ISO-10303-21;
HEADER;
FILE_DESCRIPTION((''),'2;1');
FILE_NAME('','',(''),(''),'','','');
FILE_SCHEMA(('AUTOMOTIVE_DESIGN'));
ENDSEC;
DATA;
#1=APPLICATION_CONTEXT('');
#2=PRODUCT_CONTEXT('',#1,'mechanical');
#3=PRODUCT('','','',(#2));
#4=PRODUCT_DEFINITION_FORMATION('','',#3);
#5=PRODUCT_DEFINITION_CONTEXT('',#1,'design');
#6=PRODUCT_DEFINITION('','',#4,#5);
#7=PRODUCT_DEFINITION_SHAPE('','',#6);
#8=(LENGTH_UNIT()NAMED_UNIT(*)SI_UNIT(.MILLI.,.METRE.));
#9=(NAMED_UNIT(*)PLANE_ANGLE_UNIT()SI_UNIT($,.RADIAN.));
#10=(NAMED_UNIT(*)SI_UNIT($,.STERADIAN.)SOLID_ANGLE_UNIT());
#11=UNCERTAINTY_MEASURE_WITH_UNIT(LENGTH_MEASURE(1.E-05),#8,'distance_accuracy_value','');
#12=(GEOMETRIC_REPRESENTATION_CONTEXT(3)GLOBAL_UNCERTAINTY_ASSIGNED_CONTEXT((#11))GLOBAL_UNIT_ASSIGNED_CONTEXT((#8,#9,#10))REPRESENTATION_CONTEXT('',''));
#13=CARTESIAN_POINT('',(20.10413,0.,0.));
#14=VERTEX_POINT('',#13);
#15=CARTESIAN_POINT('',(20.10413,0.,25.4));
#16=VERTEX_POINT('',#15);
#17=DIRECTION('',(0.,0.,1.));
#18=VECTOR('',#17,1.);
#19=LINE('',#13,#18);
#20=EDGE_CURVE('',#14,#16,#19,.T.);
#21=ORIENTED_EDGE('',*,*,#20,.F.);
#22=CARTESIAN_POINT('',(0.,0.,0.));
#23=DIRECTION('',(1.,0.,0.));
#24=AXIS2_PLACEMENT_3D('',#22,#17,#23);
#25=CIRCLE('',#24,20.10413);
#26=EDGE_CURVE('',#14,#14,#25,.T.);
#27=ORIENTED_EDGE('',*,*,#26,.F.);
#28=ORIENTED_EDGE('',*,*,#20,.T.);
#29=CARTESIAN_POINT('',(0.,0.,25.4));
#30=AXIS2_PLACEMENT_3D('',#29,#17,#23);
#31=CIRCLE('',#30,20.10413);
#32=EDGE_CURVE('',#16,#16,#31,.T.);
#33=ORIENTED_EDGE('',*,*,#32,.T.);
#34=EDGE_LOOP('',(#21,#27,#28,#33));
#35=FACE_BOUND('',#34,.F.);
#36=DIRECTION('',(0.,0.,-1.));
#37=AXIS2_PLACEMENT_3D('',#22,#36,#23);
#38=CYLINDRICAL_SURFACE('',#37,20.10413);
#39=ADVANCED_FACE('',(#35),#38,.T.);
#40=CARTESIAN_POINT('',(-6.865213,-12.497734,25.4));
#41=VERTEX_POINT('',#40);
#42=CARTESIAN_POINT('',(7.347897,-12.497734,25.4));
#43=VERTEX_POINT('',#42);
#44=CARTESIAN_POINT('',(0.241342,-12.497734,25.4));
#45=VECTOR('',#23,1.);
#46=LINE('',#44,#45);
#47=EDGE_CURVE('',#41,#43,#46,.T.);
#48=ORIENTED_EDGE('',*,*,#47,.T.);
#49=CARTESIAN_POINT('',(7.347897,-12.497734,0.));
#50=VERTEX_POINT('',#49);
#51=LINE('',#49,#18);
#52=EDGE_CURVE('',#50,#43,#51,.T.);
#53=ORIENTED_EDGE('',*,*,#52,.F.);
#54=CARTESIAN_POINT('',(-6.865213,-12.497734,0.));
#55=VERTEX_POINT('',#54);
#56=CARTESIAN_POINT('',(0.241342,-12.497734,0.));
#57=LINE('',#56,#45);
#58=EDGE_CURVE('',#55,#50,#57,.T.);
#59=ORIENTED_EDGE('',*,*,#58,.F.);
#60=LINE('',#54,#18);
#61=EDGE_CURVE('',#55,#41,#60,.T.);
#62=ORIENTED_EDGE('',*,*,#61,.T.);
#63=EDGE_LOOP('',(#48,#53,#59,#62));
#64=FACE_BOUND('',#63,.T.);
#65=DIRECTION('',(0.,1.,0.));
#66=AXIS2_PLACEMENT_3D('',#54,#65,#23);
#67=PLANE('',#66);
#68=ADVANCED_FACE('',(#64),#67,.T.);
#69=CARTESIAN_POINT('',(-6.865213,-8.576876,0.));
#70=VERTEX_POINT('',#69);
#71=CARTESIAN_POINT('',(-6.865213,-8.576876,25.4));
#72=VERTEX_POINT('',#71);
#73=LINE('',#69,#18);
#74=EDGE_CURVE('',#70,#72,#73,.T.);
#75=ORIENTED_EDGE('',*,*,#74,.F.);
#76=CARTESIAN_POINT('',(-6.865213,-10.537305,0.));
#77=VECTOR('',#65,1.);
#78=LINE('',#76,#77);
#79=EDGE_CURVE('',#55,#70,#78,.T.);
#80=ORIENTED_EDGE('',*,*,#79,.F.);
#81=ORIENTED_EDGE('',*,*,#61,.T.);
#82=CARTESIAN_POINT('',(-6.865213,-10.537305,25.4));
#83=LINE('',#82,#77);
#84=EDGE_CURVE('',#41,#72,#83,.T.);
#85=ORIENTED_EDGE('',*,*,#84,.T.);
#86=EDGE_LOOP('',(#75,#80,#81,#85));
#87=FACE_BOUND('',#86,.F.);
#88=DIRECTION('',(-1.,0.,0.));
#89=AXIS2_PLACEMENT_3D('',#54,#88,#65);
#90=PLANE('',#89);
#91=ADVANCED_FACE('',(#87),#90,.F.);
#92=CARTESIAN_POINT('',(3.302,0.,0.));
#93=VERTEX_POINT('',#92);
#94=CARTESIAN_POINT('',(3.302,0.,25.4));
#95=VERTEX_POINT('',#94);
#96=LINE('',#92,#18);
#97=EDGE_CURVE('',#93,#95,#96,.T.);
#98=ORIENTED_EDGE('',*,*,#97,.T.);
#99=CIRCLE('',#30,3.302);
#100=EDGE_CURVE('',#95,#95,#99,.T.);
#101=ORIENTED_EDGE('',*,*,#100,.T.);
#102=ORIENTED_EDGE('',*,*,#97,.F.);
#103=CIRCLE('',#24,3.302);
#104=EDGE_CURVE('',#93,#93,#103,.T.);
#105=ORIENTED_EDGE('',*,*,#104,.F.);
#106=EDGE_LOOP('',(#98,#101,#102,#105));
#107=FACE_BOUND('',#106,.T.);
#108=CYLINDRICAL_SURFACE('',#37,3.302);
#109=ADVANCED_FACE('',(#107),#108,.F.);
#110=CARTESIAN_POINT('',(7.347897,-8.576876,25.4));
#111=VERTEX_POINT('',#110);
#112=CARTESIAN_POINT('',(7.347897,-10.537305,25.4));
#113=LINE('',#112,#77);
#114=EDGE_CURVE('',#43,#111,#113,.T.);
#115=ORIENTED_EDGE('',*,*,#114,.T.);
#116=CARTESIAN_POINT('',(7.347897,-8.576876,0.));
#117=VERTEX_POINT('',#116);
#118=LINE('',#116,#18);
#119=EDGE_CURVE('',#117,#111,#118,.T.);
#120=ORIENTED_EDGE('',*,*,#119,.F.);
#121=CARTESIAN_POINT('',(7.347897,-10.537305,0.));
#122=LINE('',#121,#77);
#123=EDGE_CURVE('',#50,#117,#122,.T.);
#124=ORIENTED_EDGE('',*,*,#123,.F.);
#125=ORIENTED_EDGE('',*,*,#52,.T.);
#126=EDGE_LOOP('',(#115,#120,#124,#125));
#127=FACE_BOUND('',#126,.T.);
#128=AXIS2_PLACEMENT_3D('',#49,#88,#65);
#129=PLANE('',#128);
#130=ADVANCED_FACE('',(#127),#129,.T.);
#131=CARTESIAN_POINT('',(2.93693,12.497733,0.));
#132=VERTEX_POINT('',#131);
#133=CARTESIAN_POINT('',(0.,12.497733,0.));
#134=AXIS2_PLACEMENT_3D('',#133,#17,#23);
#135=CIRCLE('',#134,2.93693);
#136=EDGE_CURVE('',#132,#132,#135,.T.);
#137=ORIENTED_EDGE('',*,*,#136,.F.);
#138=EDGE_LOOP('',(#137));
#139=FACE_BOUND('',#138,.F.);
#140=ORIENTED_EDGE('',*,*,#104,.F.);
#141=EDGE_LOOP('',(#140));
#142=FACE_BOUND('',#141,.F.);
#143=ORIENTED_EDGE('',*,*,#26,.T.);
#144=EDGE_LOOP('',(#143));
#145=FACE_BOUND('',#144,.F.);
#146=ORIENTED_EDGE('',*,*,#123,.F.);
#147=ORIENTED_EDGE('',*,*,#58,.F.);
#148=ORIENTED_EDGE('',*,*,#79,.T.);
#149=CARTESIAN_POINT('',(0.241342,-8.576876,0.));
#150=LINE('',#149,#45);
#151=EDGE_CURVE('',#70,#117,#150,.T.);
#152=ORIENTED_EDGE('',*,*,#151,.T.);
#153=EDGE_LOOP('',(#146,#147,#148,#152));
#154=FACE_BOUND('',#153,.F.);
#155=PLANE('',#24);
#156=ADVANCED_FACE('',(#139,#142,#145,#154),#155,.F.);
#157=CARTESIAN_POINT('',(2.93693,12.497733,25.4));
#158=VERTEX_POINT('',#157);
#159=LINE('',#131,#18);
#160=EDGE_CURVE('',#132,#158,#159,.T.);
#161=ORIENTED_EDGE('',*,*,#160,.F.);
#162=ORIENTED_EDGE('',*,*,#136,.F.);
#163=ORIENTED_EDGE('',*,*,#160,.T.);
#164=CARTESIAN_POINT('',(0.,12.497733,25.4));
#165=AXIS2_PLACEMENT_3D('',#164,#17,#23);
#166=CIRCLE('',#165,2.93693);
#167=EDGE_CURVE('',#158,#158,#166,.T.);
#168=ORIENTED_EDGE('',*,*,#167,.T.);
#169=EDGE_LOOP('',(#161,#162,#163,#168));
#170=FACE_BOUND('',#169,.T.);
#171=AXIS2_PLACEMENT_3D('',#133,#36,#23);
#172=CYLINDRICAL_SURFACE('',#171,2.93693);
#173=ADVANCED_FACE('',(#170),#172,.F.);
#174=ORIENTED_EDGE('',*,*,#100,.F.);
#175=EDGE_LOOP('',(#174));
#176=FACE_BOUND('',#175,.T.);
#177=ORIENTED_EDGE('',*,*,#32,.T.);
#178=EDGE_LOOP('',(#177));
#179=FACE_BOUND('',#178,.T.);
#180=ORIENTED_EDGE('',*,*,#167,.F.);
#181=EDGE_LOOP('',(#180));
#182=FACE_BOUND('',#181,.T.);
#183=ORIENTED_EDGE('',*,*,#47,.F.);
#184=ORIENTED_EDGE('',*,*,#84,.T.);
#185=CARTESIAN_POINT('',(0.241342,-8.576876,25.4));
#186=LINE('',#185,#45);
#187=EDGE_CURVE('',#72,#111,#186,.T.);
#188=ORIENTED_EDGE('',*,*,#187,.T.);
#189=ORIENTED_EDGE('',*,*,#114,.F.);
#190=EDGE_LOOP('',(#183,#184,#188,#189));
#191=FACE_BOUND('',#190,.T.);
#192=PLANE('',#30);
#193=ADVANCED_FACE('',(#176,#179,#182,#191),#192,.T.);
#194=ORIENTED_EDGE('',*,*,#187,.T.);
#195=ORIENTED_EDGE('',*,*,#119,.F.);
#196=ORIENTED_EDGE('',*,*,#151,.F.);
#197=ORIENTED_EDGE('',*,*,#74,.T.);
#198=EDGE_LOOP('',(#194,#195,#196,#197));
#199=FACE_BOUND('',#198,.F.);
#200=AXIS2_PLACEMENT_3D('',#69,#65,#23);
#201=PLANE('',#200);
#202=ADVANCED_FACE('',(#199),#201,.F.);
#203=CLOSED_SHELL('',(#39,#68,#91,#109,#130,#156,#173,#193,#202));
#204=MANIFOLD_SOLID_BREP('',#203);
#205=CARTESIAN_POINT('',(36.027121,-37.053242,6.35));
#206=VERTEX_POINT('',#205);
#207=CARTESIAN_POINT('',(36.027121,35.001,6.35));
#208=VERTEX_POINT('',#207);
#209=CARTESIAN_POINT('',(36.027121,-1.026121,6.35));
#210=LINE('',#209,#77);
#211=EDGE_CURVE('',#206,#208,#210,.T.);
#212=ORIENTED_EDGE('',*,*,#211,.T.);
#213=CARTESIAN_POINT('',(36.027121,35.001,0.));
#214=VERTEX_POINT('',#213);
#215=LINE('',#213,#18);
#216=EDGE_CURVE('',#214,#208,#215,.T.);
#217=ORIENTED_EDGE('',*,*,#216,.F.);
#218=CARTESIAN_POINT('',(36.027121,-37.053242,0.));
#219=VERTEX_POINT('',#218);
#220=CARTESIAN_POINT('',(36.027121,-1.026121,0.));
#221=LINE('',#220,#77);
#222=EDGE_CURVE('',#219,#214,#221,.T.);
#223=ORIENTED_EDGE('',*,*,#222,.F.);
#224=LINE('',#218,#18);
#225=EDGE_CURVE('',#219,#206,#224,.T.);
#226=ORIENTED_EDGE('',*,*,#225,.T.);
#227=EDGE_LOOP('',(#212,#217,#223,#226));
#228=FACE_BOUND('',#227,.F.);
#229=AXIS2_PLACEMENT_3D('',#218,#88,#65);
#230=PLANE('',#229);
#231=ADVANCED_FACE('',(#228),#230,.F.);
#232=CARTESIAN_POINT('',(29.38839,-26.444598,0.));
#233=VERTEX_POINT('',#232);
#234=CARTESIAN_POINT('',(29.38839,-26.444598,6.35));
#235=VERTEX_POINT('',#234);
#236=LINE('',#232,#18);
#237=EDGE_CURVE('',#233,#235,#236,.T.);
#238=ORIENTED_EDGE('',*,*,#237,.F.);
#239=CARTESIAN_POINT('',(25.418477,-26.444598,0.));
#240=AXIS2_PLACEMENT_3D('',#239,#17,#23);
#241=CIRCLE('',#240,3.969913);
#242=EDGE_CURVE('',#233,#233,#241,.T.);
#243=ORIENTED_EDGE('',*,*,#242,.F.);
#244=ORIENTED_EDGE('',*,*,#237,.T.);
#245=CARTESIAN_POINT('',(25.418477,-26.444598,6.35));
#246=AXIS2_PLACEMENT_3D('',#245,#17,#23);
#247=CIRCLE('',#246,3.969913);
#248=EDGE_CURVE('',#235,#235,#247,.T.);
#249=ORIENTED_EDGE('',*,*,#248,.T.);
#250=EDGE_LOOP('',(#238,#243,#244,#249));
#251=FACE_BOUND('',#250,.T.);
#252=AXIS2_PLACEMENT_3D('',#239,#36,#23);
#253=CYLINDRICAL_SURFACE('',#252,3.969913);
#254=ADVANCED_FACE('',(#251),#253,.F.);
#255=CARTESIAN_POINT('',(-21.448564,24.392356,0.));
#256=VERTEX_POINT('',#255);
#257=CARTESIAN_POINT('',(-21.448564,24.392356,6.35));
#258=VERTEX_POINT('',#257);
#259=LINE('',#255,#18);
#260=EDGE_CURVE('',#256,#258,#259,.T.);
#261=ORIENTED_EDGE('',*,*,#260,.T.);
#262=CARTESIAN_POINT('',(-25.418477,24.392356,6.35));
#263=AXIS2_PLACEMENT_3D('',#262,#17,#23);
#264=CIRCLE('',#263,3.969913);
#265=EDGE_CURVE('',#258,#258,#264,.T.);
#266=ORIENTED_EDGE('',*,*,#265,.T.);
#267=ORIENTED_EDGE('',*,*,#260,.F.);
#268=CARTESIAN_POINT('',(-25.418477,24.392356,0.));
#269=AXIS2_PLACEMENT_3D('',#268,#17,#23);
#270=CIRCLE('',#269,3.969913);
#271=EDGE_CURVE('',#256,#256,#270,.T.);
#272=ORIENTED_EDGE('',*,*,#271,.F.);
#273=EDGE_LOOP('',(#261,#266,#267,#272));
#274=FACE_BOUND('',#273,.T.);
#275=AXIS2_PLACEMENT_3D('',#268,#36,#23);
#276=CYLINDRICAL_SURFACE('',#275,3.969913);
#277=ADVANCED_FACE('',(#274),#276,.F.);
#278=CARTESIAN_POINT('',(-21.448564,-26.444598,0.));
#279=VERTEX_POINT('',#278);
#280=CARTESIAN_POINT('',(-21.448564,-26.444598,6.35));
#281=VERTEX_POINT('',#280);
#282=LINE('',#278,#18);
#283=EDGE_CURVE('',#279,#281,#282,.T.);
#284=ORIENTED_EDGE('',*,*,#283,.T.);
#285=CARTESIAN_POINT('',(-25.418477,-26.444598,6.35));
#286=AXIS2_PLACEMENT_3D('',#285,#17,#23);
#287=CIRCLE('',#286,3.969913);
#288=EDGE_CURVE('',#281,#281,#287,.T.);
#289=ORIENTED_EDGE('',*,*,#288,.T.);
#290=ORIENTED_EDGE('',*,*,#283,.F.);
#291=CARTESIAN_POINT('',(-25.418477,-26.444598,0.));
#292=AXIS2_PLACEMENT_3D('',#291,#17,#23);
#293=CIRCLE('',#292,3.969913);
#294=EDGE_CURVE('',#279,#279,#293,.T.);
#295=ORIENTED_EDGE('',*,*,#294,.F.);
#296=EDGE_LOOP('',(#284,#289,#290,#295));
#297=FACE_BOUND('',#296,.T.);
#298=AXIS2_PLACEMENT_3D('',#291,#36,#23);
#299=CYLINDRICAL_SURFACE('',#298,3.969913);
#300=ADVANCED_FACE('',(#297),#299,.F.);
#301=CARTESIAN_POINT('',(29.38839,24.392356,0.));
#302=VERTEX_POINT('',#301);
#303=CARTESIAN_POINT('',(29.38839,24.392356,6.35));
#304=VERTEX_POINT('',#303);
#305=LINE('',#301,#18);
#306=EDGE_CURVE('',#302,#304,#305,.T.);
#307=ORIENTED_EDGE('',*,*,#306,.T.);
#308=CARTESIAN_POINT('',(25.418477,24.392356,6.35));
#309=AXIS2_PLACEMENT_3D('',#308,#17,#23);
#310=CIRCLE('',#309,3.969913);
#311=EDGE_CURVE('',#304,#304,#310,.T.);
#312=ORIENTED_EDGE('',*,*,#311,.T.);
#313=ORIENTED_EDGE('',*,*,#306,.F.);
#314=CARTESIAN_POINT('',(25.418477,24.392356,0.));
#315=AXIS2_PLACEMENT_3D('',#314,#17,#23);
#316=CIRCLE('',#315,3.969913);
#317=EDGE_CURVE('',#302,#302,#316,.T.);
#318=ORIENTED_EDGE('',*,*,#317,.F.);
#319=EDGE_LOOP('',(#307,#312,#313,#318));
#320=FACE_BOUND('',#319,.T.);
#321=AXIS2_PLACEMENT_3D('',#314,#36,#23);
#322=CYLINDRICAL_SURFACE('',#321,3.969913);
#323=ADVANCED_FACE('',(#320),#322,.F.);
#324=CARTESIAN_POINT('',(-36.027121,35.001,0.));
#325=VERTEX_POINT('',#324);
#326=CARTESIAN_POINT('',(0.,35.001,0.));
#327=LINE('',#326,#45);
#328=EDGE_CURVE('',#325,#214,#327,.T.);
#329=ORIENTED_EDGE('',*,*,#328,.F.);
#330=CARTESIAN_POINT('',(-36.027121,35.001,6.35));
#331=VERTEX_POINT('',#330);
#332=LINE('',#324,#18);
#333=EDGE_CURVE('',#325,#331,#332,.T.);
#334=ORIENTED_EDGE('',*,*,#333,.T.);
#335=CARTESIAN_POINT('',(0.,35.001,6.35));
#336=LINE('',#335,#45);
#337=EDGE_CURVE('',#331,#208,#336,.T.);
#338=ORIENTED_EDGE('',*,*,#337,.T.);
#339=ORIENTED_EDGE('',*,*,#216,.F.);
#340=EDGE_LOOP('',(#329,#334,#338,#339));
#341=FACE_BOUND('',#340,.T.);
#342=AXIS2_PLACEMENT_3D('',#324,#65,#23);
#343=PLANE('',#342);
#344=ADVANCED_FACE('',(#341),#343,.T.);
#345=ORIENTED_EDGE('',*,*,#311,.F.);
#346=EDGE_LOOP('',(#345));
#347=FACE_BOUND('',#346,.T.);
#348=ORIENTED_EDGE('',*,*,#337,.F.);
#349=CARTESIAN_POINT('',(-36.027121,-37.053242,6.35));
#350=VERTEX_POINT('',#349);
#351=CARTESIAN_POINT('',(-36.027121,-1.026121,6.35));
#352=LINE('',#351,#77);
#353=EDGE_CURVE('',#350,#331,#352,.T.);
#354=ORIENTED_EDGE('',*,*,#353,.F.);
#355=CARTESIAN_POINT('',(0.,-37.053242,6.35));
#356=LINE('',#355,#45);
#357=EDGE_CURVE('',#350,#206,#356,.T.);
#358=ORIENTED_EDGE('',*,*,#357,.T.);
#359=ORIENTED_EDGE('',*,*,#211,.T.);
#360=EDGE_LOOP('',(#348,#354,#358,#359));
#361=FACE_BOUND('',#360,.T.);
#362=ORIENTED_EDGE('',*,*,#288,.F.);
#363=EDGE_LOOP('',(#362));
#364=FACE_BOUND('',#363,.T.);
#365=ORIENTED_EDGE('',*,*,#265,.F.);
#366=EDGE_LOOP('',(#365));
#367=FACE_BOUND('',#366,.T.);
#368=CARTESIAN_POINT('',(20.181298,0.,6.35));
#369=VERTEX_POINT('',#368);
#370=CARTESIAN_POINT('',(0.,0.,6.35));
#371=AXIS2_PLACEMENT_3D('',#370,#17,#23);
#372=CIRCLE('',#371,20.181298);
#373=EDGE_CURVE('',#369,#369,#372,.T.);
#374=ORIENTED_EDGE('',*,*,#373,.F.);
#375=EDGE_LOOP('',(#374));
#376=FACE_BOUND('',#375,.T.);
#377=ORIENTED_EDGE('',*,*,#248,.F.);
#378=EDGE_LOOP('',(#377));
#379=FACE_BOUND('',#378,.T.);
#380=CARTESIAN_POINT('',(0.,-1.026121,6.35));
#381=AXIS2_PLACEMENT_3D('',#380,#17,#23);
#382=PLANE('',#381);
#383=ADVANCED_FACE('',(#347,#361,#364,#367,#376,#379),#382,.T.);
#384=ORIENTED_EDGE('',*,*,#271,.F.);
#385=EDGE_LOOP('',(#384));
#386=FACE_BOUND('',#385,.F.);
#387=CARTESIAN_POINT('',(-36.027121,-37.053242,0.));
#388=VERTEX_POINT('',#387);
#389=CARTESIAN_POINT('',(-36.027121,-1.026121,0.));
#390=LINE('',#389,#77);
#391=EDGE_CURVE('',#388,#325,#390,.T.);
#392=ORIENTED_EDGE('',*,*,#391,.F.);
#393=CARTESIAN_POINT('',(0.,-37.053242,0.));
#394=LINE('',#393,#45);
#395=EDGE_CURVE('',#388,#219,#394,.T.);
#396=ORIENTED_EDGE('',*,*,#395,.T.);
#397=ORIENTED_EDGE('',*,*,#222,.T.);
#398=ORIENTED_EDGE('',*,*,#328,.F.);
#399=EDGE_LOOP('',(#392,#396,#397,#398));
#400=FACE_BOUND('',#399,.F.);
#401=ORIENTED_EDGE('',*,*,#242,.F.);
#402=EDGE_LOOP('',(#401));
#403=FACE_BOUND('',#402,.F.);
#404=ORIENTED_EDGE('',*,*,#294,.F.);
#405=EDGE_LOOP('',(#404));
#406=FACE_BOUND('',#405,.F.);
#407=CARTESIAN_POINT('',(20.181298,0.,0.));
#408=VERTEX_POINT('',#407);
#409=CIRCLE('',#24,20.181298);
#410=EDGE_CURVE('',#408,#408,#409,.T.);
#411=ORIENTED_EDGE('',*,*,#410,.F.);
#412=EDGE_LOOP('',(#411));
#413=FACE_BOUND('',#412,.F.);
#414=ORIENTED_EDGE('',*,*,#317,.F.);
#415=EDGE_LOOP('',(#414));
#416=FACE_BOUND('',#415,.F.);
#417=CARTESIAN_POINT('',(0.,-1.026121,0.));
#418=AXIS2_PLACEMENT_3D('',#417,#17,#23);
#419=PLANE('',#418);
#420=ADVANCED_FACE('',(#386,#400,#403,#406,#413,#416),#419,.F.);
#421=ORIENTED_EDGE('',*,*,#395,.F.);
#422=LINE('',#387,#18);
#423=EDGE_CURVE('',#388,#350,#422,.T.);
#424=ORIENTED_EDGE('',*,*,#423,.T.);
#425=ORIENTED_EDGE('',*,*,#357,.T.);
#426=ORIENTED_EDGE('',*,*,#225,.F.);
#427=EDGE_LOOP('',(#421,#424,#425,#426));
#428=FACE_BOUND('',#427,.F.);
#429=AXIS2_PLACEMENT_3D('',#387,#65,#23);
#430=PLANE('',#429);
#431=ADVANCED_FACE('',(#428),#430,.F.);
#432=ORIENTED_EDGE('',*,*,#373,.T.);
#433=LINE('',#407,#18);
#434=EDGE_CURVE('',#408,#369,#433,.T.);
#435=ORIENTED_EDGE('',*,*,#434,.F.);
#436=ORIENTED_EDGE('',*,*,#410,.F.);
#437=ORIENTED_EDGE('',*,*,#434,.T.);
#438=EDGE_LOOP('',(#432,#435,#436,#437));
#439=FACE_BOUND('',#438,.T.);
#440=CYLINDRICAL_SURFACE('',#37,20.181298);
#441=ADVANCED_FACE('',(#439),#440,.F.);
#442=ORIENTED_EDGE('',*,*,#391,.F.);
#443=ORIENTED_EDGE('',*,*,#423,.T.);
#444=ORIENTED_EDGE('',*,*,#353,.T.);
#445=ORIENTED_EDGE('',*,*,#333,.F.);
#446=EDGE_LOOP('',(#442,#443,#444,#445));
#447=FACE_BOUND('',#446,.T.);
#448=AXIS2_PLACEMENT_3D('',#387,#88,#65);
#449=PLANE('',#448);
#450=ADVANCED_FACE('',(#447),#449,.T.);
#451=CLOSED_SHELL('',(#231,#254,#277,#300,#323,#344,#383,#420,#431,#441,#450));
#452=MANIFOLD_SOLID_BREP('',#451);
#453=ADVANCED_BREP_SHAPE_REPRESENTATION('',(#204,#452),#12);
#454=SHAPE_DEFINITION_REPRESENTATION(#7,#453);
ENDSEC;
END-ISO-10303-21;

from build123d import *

# Parameters (mm, degrees)
F0_W     = 72.054242
F0_H     = 72.054242
F0_R     = 3.969913
F0_R_2   = 23.410092
F0_R_3   = 20.181298
F1_DEPTH = 6.35
F2_R     = 20.10413
F2_W     = 14.21311
F2_H     = 3.920857
F2_R_2   = 3.302
F2_R_3   = 2.93693
F3_DEPTH = 25.4


with BuildPart() as f1:
    # F0 (on Top) → F1 (new body)
    with BuildSketch(Plane.XY):
        with Locations((0, -1.026121)):
            Rectangle(F0_W, F0_H)
        with Locations((-25.418477, -26.444598)):
            Circle(F0_R, mode=Mode.SUBTRACT)
        with Locations((25.418477, -26.444598)):
            Circle(F0_R, mode=Mode.SUBTRACT)
        with Locations((-25.418477, 24.392356)):
            Circle(F0_R, mode=Mode.SUBTRACT)
        Circle(F0_R_2, mode=Mode.SUBTRACT)
        with Locations((25.418477, 24.392356)):
            Circle(F0_R, mode=Mode.SUBTRACT)
        Circle(F0_R_2)
        Circle(F0_R_3, mode=Mode.SUBTRACT)
    extrude(amount=F1_DEPTH)


with BuildPart() as f3:
    # F2 (on Top) → F3 (new body)
    with BuildSketch(Plane.XY):
        Circle(F2_R)
        with Locations((0.241342, -10.537305)):
            Rectangle(F2_W, F2_H, mode=Mode.SUBTRACT)
        Circle(F2_R_2, mode=Mode.SUBTRACT)
        with Locations((0, 12.497733)):
            Circle(F2_R_3, mode=Mode.SUBTRACT)
    extrude(amount=F3_DEPTH)


solid = Compound([f1.part, f3.part])
